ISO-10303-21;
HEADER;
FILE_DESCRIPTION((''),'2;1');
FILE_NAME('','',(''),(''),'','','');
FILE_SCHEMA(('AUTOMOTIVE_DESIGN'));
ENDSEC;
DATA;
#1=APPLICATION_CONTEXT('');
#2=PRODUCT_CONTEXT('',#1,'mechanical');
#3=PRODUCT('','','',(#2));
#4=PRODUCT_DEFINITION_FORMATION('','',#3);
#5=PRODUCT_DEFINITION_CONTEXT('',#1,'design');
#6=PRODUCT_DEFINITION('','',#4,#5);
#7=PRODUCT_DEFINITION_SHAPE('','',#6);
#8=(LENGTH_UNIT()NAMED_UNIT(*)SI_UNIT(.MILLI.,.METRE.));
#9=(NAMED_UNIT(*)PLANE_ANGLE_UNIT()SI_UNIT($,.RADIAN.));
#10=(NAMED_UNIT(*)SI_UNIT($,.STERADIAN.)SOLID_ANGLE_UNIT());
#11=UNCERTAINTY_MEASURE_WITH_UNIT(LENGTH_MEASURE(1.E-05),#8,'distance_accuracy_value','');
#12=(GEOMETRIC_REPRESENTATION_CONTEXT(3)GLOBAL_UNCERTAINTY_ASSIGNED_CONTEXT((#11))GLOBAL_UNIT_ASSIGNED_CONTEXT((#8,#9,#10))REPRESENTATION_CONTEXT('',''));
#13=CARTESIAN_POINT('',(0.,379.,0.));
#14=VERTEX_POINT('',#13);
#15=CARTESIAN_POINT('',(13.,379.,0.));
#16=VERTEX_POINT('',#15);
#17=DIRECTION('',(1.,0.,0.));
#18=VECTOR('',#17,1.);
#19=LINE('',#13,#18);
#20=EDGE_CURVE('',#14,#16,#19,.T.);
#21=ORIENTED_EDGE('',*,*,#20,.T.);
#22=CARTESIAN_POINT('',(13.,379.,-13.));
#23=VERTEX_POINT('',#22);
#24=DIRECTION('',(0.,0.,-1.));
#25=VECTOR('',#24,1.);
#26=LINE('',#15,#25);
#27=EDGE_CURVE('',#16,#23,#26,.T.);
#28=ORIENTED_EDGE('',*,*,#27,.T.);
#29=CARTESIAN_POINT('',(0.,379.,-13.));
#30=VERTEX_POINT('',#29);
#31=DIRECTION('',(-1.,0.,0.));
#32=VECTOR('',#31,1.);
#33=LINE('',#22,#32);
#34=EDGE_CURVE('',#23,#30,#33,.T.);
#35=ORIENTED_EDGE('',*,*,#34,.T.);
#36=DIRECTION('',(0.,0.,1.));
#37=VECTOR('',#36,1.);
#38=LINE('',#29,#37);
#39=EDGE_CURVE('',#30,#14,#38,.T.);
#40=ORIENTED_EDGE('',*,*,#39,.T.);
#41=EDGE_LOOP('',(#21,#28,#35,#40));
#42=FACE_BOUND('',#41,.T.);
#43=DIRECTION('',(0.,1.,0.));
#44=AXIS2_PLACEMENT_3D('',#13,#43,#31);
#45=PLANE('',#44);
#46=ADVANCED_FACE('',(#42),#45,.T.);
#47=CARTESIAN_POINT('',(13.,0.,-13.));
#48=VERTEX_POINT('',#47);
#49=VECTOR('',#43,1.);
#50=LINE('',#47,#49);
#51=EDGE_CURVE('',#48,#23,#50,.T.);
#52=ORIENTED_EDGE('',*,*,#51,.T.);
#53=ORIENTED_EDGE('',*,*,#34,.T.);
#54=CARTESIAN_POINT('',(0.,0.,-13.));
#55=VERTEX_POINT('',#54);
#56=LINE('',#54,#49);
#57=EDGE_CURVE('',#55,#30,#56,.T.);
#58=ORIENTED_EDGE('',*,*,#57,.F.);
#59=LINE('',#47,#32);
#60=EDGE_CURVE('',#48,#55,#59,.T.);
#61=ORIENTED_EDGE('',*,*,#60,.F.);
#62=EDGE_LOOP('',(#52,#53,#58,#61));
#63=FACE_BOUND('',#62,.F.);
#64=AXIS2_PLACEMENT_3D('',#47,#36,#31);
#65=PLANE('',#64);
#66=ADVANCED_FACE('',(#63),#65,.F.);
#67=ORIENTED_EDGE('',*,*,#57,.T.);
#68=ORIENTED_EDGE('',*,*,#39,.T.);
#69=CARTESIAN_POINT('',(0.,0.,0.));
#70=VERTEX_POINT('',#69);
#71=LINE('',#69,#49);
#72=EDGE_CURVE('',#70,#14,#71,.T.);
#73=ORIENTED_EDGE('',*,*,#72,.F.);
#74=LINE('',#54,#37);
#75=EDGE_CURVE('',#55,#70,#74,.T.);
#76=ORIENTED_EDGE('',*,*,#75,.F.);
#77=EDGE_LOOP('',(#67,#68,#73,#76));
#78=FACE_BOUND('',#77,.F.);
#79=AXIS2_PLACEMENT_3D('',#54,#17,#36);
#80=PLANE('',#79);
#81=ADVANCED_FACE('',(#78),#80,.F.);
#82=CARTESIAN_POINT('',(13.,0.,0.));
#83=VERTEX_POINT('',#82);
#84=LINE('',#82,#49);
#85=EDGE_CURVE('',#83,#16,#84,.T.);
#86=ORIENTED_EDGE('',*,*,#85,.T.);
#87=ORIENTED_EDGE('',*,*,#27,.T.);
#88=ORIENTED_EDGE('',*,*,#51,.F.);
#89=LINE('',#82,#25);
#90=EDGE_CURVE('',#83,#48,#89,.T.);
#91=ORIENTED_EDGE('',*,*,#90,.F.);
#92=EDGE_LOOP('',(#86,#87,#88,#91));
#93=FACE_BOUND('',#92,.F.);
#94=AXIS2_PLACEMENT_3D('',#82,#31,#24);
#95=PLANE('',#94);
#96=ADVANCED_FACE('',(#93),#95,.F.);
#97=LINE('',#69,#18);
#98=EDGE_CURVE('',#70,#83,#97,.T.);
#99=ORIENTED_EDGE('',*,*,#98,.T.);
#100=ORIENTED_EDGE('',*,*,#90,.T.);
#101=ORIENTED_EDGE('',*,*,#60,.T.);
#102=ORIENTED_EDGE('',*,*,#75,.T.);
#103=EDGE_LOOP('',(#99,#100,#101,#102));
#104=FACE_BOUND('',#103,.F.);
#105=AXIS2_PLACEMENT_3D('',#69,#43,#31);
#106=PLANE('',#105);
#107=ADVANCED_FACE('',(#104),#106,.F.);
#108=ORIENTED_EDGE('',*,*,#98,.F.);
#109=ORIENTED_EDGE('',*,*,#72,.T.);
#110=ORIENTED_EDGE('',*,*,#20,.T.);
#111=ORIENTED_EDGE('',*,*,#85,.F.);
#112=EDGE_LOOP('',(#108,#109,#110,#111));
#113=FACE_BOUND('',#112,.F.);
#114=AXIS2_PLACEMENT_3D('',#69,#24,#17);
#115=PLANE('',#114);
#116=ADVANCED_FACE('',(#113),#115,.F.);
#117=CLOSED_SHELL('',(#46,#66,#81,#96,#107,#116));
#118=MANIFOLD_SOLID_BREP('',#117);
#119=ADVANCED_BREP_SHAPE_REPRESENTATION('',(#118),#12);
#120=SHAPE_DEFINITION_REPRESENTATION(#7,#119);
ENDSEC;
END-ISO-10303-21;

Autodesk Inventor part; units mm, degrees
ref_plane "YZ Plane" through (0, 0, 0) normal (1, 0, 0) x (0, 1, 0)
ref_plane "XZ Plane" through (0, 0, 0) normal (0, 1, 0) x (-1, 0, 0)
ref_plane "XY Plane" through (0, 0, 0) normal (0, 0, 1) x (1, 0, 0)
sketch "Sketch1" plane through (0, 0, 0) normal (0, 1, 0) x (-1, 0, 0)
  line L0 (0, 0) -> (-13, 0)
  line L1 (-13, 0) -> (-13, -13)
  line L2 (-13, -13) -> (0, -13)
  line L3 (0, -13) -> (0, 0)
  dimension "d0" = 13
  dimension "d1" = 13
extrude "Extrusion1" add sketch "Sketch1" along normal blind 379
properties part number "wood spar"
